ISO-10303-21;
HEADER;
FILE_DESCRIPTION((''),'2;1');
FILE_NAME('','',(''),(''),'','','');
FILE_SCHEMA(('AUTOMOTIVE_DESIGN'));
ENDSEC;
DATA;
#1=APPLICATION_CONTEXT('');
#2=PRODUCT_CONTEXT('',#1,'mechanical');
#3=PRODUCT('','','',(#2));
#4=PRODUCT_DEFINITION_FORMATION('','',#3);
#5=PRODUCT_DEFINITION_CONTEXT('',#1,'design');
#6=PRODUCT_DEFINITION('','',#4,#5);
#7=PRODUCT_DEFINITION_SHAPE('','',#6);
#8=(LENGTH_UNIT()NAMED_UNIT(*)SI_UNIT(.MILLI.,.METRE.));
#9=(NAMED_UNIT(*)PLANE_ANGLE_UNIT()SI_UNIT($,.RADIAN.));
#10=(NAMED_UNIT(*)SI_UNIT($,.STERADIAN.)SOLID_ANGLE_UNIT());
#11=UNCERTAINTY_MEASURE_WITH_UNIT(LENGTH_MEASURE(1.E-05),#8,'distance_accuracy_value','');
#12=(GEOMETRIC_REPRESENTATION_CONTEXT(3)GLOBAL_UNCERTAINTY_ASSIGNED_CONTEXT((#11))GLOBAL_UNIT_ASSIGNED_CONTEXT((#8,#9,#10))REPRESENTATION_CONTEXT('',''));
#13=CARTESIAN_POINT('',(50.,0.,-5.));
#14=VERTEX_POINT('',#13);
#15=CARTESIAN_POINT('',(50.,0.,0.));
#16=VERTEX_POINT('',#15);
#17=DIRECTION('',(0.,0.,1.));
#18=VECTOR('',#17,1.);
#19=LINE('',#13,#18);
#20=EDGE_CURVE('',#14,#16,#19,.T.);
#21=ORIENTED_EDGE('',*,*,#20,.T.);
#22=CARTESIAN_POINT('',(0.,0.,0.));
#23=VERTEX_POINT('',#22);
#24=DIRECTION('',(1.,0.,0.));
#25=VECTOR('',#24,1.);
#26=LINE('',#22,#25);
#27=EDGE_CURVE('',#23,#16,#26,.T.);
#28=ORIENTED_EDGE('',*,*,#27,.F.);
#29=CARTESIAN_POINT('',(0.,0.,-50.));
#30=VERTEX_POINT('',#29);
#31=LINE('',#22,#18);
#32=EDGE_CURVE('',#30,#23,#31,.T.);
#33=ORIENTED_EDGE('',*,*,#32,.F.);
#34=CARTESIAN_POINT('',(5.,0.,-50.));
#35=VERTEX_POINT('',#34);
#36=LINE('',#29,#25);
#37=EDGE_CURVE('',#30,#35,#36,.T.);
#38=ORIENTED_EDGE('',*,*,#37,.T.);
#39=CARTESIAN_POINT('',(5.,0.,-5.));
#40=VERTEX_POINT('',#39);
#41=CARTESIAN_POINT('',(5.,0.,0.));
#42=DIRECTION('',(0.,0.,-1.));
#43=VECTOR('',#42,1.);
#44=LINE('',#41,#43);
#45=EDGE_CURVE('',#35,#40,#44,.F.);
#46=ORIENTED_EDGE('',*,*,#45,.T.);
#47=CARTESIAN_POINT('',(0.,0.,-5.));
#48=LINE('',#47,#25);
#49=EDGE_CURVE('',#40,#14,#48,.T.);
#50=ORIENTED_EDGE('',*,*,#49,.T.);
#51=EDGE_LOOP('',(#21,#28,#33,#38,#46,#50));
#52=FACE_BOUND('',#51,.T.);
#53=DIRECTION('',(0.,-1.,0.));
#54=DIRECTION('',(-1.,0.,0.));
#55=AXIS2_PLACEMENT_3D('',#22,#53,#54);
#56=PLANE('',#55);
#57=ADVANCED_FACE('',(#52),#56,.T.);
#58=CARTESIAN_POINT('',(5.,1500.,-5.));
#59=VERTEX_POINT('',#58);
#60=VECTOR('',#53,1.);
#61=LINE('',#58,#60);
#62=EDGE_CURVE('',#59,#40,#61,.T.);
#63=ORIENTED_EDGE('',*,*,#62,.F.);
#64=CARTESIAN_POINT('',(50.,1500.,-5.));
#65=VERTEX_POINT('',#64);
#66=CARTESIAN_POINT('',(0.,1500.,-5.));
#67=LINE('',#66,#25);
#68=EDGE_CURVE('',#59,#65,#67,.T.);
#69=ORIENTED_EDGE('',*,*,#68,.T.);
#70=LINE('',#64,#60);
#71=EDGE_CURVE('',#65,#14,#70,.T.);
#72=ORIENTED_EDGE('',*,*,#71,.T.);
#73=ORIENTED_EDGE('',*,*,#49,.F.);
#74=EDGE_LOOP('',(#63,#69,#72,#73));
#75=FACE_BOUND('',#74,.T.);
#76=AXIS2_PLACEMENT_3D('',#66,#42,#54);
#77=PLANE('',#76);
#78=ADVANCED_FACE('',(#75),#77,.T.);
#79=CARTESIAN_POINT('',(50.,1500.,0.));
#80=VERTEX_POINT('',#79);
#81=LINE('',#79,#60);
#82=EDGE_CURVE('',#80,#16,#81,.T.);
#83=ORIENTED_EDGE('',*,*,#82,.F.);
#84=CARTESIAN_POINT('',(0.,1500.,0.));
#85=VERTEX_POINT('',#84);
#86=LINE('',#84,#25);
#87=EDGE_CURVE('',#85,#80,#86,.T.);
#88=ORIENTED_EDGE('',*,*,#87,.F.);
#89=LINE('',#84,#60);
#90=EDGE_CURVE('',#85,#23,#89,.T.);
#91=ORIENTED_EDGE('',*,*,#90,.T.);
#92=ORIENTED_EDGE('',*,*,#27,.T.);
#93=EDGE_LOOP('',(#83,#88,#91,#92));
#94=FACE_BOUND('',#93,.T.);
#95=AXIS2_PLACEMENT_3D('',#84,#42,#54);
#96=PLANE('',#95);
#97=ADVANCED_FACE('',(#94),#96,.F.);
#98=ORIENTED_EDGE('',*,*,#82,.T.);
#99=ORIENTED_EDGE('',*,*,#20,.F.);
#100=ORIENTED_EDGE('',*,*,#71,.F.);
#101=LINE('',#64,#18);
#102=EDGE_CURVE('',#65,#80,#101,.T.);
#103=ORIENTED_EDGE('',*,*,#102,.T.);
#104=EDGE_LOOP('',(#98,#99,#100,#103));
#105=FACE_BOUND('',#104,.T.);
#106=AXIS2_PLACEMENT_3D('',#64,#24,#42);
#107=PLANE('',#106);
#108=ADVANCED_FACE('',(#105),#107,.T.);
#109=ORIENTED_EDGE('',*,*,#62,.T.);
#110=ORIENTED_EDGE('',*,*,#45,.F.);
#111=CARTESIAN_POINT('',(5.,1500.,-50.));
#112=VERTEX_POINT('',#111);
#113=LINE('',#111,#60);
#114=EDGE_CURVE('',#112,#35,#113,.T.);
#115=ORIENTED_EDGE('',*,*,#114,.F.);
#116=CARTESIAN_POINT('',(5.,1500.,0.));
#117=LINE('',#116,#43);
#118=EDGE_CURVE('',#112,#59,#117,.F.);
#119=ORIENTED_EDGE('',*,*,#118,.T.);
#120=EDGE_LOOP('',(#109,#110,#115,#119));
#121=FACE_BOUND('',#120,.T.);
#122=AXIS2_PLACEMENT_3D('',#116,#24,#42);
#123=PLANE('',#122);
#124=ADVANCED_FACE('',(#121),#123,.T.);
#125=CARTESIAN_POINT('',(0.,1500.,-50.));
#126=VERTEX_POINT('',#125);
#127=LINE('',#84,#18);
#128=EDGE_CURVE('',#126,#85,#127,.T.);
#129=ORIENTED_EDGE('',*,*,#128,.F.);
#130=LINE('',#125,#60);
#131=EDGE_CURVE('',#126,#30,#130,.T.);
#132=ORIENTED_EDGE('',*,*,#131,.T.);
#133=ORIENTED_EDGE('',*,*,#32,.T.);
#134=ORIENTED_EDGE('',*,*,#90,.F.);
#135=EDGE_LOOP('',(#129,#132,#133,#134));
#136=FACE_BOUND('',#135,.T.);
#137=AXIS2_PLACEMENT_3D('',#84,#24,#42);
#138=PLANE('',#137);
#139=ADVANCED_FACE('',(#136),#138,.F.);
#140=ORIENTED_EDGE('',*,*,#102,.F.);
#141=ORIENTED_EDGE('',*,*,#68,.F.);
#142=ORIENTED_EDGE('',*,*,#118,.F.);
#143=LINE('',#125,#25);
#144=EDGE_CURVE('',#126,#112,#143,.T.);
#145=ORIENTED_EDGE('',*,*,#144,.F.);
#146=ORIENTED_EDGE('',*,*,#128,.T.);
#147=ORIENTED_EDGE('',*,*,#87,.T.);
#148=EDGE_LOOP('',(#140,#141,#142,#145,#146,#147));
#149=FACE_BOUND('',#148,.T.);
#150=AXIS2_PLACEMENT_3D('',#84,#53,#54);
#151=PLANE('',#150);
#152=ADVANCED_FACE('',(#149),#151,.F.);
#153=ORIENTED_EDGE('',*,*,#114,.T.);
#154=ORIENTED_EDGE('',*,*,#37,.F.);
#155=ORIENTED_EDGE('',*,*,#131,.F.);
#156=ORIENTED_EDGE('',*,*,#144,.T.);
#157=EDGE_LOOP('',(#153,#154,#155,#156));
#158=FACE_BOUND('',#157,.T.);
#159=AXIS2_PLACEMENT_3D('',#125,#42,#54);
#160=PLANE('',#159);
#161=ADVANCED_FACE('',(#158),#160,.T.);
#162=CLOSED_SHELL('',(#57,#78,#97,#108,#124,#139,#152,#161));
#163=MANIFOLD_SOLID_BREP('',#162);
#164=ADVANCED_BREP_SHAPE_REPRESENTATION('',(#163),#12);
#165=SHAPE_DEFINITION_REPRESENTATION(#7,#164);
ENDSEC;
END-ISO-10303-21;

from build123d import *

# Parameters (mm, degrees)
EXTRUDE_1_DEPTH = 1500


with BuildPart() as part:
    # Эскиз1 → Вытянуть-Тонкостенный1 (new body)
    with BuildSketch(Plane(origin=(0, 0, 0), x_dir=(1, 0, 0), z_dir=(0, 1, 0))):
        Polygon((50, 0), (0, 0), (0, 50), (5, 50), (5, 5), (50, 5), align=None)
    extrude(amount=EXTRUDE_1_DEPTH)


solid = part.part
